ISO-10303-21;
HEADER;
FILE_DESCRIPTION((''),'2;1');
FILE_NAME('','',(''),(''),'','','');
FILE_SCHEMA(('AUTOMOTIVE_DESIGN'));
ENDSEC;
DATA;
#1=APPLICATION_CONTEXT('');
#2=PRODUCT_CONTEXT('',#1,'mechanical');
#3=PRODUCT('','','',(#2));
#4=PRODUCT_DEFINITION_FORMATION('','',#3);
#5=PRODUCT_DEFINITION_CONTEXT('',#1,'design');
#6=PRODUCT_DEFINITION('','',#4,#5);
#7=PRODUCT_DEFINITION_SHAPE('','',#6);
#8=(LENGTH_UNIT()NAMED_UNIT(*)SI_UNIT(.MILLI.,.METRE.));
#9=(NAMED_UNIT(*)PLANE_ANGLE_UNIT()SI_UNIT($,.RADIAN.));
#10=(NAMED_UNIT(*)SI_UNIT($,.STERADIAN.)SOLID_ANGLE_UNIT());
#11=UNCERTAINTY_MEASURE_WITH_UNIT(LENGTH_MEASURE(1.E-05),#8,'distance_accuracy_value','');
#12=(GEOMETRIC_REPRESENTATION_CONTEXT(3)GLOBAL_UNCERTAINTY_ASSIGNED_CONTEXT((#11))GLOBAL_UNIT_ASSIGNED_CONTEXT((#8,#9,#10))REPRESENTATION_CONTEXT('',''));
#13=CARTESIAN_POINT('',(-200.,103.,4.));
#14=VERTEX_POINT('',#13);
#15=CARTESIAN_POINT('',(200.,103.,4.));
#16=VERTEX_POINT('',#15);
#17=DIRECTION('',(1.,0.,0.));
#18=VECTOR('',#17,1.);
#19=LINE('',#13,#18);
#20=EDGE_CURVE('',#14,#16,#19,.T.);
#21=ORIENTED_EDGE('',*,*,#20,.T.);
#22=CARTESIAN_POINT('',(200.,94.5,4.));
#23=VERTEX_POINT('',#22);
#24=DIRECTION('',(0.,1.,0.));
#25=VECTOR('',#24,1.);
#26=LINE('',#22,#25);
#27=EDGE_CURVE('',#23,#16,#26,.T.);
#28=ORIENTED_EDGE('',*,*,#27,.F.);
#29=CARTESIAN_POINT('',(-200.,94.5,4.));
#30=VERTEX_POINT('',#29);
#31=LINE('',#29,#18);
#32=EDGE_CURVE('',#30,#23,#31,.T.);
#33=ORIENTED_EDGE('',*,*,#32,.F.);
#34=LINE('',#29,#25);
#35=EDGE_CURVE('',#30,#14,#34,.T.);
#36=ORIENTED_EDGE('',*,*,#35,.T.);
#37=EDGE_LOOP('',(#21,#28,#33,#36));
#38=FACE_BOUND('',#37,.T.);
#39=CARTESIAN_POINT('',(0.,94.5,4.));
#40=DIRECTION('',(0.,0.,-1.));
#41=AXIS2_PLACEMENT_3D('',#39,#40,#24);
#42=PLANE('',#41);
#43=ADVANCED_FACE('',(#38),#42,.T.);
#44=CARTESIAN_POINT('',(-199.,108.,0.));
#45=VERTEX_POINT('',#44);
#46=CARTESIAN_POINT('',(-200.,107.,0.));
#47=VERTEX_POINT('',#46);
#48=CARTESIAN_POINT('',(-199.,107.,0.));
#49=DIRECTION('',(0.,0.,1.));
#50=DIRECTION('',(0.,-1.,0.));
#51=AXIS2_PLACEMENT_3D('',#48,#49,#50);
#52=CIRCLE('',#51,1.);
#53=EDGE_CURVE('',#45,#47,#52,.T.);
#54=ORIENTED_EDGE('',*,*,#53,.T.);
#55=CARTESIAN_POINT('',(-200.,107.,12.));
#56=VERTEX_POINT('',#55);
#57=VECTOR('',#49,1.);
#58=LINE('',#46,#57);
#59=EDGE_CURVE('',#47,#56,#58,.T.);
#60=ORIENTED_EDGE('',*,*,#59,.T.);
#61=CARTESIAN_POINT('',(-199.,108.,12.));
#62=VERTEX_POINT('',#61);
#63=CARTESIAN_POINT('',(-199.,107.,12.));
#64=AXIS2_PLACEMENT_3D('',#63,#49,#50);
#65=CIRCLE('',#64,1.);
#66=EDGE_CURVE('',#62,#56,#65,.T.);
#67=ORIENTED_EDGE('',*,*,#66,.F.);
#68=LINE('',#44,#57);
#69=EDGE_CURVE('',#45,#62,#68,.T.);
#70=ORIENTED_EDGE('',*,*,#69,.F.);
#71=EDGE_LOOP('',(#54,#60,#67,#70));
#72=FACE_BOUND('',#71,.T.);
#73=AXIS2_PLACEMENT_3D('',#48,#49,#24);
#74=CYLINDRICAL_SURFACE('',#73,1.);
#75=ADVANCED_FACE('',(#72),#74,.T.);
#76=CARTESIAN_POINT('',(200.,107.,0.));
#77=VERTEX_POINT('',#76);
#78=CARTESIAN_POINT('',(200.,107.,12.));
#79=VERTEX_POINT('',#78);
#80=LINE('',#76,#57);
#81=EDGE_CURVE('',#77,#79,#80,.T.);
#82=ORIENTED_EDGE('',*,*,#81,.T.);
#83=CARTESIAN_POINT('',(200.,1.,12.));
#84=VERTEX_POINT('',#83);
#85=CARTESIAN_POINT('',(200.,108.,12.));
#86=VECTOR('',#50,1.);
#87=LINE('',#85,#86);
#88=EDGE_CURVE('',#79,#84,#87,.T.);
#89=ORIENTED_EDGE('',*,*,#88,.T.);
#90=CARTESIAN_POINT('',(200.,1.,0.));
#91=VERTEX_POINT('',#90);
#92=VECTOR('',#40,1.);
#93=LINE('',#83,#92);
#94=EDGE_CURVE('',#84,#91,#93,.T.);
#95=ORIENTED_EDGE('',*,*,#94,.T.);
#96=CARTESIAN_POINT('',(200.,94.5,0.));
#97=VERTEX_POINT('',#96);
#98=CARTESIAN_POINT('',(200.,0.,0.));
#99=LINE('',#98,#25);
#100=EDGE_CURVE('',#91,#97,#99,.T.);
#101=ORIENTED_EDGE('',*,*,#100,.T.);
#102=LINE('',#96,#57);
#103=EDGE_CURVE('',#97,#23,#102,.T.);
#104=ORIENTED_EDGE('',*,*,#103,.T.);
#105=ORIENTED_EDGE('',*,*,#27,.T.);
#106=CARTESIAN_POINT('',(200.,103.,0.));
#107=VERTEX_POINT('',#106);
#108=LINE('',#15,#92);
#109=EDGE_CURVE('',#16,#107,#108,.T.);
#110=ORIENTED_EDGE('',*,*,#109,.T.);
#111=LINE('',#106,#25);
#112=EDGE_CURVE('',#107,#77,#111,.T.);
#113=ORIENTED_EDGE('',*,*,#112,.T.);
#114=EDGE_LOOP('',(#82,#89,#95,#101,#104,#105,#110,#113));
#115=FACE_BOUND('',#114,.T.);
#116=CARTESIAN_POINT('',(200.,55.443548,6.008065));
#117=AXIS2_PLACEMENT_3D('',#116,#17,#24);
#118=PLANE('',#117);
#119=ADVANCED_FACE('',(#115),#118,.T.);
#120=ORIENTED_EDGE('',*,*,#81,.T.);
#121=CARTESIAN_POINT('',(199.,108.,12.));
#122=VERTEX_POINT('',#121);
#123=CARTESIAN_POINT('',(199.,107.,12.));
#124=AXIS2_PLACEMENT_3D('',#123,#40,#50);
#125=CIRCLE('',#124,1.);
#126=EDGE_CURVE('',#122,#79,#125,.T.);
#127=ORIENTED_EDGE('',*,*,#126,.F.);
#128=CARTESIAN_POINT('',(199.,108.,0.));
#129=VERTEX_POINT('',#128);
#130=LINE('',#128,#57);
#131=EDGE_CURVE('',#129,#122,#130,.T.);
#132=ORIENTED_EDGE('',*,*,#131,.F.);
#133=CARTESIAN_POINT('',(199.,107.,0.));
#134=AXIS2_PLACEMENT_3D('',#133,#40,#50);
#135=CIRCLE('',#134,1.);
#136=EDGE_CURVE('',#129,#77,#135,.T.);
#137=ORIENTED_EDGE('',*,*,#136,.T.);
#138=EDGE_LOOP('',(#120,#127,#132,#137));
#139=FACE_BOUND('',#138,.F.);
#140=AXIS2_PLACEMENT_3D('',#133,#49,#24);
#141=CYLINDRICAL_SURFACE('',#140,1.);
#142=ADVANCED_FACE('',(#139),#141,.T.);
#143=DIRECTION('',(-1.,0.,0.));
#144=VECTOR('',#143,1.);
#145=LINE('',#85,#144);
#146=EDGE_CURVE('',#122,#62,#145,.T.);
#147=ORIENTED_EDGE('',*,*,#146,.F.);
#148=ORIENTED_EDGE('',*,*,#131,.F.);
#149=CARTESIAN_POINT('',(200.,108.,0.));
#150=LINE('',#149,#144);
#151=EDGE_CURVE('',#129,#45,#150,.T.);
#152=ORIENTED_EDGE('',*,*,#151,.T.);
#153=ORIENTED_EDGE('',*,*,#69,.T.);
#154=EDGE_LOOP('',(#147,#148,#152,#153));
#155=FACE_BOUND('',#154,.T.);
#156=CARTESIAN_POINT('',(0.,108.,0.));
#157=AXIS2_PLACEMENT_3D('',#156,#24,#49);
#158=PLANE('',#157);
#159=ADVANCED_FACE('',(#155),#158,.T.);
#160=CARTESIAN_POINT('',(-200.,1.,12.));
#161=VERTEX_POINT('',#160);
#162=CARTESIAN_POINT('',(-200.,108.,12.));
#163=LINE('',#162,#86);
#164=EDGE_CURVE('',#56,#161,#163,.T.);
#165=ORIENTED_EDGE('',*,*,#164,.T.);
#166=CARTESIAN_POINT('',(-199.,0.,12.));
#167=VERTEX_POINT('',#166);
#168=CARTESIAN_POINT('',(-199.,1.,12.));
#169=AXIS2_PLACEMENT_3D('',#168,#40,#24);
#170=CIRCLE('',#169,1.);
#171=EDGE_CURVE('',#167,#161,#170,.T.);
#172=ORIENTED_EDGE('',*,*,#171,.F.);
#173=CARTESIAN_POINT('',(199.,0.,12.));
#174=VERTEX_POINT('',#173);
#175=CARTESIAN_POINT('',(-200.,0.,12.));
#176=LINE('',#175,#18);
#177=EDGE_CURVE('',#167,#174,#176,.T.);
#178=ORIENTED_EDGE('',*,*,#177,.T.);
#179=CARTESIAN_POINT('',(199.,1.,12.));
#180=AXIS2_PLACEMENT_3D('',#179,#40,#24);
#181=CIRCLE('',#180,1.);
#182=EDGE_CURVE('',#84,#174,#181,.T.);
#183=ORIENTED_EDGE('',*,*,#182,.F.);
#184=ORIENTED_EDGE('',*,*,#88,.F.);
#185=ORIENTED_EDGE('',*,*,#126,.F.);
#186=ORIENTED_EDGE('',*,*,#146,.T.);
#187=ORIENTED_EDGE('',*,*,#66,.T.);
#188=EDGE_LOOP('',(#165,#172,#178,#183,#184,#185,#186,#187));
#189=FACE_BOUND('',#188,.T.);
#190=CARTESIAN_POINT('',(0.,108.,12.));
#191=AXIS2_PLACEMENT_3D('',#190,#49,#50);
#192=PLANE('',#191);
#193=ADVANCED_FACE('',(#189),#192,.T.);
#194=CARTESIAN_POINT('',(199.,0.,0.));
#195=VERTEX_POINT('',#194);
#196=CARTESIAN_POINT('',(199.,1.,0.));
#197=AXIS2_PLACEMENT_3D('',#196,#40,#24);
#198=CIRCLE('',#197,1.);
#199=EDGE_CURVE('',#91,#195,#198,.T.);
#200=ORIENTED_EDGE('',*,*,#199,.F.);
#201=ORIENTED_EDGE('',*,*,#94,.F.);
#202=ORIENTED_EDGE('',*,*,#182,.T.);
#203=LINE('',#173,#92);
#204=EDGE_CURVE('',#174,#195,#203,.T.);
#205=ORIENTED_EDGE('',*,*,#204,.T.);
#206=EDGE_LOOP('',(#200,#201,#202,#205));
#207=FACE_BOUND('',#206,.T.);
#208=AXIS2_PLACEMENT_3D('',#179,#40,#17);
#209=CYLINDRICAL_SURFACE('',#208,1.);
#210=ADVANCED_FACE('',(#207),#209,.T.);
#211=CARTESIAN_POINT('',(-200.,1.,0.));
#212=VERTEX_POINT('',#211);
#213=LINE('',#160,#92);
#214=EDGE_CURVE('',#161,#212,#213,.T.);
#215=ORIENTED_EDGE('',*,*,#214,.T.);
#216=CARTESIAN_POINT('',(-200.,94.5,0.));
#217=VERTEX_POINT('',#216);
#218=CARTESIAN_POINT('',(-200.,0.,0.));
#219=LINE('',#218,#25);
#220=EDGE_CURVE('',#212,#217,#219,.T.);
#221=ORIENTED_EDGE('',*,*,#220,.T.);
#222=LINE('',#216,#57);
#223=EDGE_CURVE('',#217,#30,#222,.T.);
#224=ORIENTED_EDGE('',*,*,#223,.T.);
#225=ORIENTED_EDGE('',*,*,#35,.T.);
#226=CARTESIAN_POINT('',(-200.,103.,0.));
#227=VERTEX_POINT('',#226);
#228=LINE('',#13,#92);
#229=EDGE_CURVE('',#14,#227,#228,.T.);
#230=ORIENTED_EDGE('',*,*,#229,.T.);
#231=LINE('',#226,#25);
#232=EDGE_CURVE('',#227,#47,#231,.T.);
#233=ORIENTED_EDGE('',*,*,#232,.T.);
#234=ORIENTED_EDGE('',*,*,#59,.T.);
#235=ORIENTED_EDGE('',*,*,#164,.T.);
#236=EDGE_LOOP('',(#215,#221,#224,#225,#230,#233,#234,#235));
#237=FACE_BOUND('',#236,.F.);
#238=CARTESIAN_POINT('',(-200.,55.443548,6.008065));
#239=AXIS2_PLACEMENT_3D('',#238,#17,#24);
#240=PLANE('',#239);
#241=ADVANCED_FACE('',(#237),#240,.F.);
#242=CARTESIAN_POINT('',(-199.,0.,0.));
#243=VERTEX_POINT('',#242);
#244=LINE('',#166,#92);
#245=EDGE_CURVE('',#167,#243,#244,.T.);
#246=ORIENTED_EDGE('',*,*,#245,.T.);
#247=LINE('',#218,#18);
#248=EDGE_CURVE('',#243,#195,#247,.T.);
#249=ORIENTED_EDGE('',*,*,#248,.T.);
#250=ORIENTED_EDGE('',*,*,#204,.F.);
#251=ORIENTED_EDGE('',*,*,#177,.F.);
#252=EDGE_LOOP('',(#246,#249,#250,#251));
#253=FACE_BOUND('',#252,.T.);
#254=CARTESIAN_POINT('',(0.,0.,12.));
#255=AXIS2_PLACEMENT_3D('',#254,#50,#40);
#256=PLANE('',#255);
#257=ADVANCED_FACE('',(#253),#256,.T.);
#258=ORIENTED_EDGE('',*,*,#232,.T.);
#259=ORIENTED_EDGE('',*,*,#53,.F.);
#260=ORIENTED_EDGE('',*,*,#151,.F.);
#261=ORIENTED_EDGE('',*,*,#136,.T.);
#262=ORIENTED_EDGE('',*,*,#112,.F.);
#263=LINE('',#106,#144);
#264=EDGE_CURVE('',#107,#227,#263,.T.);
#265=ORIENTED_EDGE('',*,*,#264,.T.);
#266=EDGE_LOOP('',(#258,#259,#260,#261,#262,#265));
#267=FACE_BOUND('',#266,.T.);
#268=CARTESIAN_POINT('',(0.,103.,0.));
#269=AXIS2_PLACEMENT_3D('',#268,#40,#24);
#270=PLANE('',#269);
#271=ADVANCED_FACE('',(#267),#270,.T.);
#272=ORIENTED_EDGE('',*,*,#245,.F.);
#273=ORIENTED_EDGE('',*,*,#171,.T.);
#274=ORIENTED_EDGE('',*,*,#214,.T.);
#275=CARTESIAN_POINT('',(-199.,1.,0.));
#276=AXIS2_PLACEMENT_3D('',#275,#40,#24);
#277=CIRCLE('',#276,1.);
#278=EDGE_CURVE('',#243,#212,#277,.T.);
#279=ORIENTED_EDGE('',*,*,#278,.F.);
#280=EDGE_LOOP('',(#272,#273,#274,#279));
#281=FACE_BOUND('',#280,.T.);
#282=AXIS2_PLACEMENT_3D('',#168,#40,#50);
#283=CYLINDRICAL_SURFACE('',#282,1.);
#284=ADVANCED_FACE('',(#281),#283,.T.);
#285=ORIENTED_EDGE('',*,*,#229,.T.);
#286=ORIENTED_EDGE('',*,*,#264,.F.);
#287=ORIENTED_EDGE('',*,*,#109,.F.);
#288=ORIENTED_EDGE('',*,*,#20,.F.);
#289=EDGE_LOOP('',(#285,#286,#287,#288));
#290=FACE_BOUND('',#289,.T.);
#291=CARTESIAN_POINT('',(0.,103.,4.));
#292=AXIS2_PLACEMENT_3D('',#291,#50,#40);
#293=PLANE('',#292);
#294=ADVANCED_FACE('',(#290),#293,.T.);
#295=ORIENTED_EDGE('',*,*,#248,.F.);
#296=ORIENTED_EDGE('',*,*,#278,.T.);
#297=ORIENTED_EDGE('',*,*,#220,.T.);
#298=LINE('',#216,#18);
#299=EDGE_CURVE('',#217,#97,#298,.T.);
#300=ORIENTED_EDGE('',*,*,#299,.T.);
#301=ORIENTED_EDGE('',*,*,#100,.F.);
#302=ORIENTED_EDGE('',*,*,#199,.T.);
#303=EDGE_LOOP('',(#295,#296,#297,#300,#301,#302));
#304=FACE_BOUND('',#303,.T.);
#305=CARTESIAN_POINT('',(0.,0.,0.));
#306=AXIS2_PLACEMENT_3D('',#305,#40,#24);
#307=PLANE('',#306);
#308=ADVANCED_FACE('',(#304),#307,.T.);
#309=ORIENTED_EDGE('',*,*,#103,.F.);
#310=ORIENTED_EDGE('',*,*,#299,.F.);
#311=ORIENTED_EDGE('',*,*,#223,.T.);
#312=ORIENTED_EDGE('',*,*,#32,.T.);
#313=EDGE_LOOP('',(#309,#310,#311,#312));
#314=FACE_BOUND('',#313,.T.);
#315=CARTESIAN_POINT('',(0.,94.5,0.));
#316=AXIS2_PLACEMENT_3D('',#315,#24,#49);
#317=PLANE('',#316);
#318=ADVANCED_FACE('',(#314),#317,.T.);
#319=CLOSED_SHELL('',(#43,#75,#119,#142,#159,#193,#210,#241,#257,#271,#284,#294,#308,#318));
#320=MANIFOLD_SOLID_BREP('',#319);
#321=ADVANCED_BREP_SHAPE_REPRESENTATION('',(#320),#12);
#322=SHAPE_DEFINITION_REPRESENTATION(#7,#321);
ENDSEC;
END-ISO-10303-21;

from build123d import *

# Parameters (mm, degrees)
F1_DEPTH = 200
F2_R     = 1


with BuildPart() as f1:
    # F0 (on Right) → F1 (new body, symmetric)
    with BuildSketch(Plane.YZ):
        Polygon((108, 12), (0, 12), (0, 0), (94.5, 0), (94.5, 4), (103, 4), (103, 0), (108, 0), align=None)
    extrude(amount=F1_DEPTH, both=True)

    # F2
    f2_edges = [f1.edges().sort_by_distance(p)[0] for p in [
        (200, 0, 6),
        (200, 108, 6),
        (-200, 108, 6),
        (-200, 0, 6),
    ]]
    fillet(f2_edges, radius=F2_R)


solid = f1.part
